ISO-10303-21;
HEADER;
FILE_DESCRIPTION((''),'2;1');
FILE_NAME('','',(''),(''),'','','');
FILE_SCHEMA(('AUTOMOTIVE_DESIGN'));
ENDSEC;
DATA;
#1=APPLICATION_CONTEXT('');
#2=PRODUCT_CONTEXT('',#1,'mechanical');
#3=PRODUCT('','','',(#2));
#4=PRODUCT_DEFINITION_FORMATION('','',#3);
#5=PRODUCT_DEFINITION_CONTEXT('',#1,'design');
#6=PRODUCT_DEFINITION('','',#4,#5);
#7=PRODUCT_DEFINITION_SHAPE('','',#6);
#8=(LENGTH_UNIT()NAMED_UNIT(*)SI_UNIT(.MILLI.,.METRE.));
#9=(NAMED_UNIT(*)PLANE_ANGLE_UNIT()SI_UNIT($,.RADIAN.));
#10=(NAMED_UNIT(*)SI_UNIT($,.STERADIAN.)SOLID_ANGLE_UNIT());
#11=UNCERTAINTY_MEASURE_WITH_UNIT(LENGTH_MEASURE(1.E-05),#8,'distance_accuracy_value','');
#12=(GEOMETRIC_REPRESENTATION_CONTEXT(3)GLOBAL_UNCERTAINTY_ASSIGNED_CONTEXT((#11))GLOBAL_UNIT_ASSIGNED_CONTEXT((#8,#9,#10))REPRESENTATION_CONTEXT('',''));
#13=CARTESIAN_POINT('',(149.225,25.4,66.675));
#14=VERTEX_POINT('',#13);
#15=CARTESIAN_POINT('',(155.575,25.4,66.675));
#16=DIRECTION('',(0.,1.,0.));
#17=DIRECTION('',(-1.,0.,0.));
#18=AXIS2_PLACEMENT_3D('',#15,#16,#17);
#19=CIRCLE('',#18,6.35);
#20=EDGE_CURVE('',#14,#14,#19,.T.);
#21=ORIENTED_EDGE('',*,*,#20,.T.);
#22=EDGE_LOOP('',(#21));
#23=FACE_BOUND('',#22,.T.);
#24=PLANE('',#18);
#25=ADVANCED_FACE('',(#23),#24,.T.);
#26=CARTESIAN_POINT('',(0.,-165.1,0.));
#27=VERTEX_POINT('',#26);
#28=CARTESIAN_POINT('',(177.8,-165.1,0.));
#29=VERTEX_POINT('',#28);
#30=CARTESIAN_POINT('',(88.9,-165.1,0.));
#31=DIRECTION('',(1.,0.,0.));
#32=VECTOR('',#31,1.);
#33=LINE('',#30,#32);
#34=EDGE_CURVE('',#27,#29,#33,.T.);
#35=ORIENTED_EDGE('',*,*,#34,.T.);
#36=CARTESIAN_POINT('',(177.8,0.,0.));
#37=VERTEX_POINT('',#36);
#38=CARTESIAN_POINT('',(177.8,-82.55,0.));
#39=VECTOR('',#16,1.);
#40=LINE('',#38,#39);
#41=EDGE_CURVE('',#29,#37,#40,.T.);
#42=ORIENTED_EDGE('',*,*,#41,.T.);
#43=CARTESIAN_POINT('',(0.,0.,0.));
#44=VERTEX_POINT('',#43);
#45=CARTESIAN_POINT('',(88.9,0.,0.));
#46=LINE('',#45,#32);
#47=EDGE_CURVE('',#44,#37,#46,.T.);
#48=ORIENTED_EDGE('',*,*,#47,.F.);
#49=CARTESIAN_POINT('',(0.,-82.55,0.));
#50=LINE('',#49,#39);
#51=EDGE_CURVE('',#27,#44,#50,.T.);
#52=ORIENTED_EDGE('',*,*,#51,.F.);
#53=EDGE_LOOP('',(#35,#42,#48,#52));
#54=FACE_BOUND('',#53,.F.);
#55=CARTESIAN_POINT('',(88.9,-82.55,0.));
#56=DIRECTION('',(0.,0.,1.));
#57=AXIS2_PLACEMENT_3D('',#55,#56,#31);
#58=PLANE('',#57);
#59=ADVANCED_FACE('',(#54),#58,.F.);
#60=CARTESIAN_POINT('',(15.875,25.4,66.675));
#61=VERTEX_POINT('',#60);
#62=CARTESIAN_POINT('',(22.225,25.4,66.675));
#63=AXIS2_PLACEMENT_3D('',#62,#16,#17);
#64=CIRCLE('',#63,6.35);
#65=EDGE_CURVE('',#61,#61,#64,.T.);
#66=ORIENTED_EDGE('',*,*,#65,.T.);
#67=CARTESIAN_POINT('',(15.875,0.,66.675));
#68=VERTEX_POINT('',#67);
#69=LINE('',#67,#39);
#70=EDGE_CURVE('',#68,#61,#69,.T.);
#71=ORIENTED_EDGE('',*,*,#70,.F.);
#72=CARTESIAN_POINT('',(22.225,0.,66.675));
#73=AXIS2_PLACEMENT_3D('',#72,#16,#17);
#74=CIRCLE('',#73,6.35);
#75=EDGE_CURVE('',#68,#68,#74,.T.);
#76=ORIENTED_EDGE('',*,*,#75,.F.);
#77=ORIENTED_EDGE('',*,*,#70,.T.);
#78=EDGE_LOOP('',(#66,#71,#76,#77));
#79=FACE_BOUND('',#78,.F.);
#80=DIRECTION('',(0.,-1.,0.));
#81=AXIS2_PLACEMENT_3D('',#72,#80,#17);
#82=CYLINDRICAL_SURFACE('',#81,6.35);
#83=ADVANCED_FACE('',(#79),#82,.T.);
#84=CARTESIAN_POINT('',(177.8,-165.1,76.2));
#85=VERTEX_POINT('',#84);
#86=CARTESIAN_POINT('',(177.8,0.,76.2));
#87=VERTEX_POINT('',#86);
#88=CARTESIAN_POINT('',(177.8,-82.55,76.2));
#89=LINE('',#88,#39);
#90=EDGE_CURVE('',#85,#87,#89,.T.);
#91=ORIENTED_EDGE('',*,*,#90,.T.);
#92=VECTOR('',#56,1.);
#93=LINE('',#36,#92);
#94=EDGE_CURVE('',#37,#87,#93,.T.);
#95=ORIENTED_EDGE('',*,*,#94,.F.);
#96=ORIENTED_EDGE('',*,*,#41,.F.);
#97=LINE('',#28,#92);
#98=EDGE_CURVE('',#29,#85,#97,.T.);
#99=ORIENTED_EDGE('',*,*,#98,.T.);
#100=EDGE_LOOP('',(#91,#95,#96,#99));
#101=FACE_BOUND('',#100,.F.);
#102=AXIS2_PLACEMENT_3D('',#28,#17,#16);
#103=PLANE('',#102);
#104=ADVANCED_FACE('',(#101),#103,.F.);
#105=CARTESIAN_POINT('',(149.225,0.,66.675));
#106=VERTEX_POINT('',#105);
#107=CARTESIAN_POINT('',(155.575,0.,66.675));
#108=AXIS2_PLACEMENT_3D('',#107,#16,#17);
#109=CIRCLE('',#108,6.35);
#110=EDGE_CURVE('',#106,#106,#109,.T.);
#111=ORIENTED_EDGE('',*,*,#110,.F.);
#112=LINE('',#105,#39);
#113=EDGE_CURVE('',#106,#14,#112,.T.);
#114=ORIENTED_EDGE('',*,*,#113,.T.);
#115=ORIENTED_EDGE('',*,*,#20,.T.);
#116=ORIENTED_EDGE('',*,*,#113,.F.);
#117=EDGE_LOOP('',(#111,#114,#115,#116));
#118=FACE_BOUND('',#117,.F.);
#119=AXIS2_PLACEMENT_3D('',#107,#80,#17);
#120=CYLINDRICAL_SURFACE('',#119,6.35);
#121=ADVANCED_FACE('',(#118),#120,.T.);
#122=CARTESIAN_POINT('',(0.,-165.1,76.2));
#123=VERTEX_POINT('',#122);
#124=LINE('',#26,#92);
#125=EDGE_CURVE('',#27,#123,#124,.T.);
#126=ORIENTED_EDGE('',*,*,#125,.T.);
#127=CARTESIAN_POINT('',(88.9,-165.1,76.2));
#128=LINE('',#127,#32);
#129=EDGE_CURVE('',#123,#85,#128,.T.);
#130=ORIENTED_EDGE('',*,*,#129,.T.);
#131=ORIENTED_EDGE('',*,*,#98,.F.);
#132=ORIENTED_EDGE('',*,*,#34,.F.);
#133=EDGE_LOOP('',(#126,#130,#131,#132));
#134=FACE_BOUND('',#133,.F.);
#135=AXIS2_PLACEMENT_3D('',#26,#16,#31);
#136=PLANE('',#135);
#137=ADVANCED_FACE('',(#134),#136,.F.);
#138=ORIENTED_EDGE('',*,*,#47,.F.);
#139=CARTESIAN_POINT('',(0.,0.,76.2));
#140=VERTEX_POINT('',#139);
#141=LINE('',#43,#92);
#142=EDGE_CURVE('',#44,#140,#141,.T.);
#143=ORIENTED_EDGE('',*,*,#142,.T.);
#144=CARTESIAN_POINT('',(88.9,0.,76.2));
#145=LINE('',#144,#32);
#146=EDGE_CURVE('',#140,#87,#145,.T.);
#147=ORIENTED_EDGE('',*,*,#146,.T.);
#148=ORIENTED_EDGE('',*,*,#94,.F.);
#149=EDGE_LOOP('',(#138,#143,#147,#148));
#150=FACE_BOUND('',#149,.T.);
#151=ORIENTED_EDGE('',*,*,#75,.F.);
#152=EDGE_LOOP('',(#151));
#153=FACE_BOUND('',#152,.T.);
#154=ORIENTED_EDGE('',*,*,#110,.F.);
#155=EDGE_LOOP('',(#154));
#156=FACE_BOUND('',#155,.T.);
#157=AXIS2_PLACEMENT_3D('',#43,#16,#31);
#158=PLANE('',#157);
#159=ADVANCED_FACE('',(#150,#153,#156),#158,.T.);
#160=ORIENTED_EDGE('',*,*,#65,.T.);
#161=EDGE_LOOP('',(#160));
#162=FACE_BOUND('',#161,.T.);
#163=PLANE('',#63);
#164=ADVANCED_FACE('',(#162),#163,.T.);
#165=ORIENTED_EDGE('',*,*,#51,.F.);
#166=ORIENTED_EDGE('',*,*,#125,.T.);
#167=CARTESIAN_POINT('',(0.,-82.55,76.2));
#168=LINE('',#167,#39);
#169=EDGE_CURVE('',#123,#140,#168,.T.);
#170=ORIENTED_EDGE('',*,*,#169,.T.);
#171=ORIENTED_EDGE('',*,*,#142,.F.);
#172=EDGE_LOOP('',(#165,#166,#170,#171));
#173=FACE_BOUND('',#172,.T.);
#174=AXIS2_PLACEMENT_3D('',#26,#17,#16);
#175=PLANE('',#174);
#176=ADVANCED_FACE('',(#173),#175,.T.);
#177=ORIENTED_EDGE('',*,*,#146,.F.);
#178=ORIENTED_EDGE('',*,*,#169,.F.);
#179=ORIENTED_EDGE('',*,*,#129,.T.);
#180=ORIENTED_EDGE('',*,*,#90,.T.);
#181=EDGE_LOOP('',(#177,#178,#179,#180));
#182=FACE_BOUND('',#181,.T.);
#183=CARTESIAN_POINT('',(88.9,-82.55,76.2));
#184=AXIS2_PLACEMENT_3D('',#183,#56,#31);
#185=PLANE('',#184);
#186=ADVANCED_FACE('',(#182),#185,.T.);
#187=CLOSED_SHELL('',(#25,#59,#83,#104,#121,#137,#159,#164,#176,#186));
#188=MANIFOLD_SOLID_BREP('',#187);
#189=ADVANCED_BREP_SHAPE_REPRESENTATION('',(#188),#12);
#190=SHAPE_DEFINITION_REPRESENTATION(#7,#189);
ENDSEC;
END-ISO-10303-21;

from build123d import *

# Parameters (mm, degrees)
F0_W     = 177.8
F0_H     = 165.1
F1_DEPTH = 76.2
F2_R     = 6.35
F3_DEPTH = 25.4


with BuildPart() as f1:
    # F0 (on Top) → F1 (new body)
    with BuildSketch(Plane.XY):
        with Locations((88.9, -82.55)):
            Rectangle(F0_W, F0_H)
    extrude(amount=F1_DEPTH)

    # F2 (on face) → F3 (join)
    with BuildSketch(Plane(origin=(0, 0, 0), x_dir=(-1, 0, 0), z_dir=(0, 1, 0))):
        with Locations((-155.575, 66.675)):
            Circle(F2_R)
        with Locations((-22.225, 66.675)):
            Circle(F2_R)
    extrude(amount=F3_DEPTH)


solid = f1.part
